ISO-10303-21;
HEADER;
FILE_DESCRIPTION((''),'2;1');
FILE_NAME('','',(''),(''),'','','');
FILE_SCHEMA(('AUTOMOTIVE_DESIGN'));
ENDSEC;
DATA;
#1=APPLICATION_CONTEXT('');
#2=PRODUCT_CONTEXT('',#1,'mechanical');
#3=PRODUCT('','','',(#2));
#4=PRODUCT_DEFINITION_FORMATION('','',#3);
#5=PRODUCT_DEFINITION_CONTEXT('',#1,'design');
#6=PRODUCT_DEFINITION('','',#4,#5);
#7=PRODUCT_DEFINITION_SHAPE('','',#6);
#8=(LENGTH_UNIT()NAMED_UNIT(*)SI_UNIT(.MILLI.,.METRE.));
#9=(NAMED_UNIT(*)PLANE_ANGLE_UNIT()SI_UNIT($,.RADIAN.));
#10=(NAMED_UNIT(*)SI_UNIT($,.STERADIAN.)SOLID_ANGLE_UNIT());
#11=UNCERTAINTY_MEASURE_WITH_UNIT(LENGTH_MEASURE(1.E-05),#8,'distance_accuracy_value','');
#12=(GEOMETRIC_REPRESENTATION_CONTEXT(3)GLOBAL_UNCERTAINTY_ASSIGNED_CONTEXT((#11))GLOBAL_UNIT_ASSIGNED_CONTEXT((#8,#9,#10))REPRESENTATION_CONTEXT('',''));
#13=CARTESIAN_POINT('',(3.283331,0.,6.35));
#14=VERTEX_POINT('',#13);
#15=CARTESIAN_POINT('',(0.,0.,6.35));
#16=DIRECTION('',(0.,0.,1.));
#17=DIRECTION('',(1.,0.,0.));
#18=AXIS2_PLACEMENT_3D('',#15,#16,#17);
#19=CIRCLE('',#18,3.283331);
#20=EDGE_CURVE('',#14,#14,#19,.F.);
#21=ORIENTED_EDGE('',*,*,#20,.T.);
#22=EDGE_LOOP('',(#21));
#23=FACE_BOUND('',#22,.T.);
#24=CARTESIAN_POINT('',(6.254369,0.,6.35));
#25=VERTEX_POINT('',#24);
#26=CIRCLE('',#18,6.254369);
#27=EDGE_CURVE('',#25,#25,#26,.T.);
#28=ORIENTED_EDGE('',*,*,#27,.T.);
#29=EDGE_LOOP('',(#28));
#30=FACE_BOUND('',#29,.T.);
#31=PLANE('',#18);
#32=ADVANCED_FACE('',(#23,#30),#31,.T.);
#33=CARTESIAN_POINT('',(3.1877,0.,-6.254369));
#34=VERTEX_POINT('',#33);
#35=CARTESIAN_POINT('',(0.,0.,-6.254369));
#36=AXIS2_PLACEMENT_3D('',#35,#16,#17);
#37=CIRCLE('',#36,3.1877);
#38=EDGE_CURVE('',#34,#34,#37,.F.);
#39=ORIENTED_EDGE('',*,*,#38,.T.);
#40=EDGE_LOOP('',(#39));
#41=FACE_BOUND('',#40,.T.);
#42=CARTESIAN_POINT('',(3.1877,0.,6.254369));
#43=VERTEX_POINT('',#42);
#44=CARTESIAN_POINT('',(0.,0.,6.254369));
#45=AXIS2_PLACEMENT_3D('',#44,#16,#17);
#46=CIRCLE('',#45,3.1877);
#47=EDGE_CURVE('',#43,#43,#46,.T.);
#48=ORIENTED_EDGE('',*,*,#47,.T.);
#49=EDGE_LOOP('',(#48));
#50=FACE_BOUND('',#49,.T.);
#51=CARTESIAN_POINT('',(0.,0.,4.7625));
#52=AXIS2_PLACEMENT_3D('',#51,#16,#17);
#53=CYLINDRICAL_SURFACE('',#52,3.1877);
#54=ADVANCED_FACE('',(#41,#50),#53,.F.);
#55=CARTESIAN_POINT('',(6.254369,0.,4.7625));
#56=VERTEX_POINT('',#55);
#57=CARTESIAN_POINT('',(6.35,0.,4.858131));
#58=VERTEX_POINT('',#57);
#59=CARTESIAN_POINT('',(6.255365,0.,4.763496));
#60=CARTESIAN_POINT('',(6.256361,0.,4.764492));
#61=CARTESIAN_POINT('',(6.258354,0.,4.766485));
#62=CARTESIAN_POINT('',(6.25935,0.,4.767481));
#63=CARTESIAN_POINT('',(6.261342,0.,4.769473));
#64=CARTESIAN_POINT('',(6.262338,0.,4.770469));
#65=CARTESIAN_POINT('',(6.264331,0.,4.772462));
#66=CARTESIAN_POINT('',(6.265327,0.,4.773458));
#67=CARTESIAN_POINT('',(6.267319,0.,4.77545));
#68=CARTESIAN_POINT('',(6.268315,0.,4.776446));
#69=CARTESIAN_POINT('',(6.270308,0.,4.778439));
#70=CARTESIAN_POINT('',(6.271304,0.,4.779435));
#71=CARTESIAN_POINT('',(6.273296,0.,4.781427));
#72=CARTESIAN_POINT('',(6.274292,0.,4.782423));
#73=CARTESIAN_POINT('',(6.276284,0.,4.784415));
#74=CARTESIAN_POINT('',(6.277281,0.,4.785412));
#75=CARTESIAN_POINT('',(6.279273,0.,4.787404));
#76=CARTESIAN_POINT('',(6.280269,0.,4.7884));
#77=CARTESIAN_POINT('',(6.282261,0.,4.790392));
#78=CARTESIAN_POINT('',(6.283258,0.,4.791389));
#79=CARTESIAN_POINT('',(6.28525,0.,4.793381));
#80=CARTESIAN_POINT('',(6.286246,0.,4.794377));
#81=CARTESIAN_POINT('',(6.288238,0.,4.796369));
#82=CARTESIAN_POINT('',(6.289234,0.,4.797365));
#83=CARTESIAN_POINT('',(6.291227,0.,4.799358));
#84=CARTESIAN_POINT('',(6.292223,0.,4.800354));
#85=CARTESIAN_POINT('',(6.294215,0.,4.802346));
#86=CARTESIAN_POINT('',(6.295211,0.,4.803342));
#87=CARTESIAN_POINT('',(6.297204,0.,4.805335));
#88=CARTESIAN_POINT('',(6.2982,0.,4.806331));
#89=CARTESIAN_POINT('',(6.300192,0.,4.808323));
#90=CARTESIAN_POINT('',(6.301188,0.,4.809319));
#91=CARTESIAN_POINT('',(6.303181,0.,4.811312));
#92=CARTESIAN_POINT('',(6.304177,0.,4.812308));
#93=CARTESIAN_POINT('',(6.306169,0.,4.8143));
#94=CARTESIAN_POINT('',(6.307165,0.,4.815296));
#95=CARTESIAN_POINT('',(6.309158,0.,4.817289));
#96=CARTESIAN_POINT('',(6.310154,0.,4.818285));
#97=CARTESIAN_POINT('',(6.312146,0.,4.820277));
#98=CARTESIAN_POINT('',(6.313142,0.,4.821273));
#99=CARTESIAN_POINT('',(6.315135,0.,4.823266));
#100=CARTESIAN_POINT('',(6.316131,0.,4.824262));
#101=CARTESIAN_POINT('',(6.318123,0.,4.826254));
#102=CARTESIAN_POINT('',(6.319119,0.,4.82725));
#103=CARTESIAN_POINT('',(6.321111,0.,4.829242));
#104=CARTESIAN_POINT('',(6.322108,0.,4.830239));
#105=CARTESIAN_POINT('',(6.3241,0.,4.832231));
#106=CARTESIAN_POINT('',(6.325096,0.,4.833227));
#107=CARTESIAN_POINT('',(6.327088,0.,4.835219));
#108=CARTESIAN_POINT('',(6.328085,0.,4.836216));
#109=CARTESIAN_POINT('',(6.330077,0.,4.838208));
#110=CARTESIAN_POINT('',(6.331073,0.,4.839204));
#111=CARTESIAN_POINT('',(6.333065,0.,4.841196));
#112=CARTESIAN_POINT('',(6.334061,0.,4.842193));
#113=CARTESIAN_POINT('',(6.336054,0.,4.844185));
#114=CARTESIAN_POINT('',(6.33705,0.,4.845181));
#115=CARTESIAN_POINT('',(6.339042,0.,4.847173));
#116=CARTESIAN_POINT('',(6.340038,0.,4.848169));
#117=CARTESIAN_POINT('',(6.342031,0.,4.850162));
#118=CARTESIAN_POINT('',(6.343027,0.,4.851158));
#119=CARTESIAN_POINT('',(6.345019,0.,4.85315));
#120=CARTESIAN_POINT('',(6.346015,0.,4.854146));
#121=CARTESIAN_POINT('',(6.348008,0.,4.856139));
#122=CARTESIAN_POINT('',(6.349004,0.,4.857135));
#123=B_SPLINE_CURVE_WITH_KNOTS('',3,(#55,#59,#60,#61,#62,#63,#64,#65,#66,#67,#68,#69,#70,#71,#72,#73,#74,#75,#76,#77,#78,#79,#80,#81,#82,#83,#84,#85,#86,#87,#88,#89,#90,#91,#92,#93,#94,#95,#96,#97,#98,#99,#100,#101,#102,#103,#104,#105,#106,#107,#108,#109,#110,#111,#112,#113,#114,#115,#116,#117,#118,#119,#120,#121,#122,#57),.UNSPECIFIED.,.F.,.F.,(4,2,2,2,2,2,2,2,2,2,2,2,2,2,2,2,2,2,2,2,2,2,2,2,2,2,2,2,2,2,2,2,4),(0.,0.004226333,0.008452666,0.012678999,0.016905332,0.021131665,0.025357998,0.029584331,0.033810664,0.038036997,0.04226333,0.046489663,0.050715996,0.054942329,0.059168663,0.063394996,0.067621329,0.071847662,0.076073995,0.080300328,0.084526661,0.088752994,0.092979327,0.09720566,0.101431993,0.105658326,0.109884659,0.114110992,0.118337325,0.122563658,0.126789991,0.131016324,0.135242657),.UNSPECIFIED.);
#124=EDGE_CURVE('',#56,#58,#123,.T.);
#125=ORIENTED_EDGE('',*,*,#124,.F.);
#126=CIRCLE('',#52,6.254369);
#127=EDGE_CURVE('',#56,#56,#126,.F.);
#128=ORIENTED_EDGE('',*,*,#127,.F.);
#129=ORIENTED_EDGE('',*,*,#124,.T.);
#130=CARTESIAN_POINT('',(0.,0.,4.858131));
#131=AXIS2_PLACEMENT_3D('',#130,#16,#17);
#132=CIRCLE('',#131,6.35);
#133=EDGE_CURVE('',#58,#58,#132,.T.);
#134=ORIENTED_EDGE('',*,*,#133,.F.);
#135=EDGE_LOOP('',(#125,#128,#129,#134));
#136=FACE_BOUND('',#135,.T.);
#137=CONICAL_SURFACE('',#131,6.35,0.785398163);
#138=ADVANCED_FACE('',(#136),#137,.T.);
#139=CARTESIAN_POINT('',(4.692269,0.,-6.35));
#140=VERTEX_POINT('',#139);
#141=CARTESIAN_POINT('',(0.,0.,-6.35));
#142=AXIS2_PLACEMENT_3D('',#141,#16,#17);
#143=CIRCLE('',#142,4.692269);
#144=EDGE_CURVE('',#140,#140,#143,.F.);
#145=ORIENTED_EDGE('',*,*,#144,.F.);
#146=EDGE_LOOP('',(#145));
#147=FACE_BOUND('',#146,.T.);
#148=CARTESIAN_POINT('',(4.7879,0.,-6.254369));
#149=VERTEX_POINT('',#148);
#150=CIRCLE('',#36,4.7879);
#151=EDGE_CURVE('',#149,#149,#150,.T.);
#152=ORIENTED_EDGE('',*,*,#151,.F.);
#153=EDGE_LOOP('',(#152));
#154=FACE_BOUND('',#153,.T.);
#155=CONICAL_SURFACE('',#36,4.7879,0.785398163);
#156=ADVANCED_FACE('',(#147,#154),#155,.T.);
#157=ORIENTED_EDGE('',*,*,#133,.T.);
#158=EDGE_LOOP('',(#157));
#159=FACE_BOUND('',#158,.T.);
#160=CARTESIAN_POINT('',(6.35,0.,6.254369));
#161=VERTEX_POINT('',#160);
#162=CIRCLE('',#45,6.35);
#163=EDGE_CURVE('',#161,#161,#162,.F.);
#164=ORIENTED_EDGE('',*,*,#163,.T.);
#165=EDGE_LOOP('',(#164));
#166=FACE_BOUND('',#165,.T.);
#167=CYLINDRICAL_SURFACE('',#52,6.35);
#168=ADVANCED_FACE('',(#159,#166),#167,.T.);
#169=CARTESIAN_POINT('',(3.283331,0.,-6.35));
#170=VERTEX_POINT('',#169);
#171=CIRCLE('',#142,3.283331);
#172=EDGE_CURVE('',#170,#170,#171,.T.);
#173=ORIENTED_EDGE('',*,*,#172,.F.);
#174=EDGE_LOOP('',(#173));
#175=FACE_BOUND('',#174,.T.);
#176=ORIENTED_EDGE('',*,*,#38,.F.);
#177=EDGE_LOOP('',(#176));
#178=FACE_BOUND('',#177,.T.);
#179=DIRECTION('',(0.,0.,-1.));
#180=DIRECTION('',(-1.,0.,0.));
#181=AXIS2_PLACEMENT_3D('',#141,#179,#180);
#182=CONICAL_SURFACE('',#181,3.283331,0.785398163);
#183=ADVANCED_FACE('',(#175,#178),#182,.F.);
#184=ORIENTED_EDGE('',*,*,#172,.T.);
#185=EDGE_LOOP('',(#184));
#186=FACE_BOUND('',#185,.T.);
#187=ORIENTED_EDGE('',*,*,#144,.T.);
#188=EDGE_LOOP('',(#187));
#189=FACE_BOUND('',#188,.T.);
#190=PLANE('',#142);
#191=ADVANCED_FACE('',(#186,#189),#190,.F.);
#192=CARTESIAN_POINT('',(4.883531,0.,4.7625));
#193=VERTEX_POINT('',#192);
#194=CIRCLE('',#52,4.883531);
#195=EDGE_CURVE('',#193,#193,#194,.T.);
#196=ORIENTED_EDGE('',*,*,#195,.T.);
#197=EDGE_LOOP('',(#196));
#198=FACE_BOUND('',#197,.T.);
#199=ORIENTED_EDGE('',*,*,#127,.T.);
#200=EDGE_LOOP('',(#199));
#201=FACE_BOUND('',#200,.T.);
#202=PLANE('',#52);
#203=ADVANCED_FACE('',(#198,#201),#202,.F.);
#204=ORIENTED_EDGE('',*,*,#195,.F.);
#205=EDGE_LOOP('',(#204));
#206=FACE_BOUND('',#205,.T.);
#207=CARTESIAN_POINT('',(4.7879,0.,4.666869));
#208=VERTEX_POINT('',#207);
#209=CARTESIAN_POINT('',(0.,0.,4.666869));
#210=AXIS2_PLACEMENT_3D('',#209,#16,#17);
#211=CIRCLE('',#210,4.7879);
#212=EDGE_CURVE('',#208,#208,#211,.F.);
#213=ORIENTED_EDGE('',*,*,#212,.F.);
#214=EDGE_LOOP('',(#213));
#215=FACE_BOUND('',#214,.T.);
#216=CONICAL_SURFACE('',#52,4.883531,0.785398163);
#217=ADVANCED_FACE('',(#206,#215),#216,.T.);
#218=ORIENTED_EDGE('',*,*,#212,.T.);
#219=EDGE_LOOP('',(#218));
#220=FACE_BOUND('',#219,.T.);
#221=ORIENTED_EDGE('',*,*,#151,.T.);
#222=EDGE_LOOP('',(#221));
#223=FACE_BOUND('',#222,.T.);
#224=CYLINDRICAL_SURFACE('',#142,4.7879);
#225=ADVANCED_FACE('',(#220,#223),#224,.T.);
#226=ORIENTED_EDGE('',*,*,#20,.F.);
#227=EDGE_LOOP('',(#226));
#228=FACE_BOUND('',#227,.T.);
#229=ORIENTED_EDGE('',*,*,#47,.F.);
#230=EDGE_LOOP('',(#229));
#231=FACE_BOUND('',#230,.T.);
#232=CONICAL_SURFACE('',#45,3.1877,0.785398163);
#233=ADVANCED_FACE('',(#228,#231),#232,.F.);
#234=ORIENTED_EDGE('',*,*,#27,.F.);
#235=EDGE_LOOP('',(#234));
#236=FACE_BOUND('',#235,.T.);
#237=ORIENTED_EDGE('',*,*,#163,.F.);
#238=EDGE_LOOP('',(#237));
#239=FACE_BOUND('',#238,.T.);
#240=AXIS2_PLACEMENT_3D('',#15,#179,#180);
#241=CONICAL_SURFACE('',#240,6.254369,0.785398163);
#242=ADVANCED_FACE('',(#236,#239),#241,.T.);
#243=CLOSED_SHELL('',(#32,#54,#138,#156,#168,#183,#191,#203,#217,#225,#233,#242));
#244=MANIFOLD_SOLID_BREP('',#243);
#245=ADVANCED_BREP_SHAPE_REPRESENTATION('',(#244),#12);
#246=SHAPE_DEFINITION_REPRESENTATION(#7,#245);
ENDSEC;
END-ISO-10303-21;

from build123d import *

# Parameters (mm, degrees)
BOSS_EXTRUDE1_START = 6.35
SKETCH3_R           = 6.35
SKETCH3_R_2         = 3.1877
BOSS_EXTRUDE1_DEPTH = 1.5875
BOSS_EXTRUDE2_START = 4.7625
SKETCH4_R           = 4.7879
SKETCH4_R_2         = 3.1877
BOSS_EXTRUDE2_DEPTH = 11.1125
CHAMFER1_SIZE       = 0.095631


with BuildPart() as part:
    # Sketch3 → Boss-Extrude1 (new body)
    with BuildSketch(Plane.XY.offset(BOSS_EXTRUDE1_START)):
        Circle(SKETCH3_R)
        Circle(SKETCH3_R_2, mode=Mode.SUBTRACT)
    extrude(amount=-BOSS_EXTRUDE1_DEPTH)

    # Sketch4 → Boss-Extrude2 (add)
    with BuildSketch(Plane.XY.offset(BOSS_EXTRUDE2_START)):
        Circle(SKETCH4_R)
        Circle(SKETCH4_R_2, mode=Mode.SUBTRACT)
    extrude(amount=-BOSS_EXTRUDE2_DEPTH)

    # Chamfer1
    chamfer1_edges = [part.edges().sort_by_distance(p)[0] for p in [
        (-3.1877, 0, -6.35),
        (-4.7879, 0, 4.7625),
        (-6.35, 0, 6.35),
        (-6.35, 0, 4.7625),
        (-3.1877, 0, 6.35),
        (-4.7879, 0, -6.35),
    ]]
    chamfer(chamfer1_edges, length=CHAMFER1_SIZE)


solid = part.part
